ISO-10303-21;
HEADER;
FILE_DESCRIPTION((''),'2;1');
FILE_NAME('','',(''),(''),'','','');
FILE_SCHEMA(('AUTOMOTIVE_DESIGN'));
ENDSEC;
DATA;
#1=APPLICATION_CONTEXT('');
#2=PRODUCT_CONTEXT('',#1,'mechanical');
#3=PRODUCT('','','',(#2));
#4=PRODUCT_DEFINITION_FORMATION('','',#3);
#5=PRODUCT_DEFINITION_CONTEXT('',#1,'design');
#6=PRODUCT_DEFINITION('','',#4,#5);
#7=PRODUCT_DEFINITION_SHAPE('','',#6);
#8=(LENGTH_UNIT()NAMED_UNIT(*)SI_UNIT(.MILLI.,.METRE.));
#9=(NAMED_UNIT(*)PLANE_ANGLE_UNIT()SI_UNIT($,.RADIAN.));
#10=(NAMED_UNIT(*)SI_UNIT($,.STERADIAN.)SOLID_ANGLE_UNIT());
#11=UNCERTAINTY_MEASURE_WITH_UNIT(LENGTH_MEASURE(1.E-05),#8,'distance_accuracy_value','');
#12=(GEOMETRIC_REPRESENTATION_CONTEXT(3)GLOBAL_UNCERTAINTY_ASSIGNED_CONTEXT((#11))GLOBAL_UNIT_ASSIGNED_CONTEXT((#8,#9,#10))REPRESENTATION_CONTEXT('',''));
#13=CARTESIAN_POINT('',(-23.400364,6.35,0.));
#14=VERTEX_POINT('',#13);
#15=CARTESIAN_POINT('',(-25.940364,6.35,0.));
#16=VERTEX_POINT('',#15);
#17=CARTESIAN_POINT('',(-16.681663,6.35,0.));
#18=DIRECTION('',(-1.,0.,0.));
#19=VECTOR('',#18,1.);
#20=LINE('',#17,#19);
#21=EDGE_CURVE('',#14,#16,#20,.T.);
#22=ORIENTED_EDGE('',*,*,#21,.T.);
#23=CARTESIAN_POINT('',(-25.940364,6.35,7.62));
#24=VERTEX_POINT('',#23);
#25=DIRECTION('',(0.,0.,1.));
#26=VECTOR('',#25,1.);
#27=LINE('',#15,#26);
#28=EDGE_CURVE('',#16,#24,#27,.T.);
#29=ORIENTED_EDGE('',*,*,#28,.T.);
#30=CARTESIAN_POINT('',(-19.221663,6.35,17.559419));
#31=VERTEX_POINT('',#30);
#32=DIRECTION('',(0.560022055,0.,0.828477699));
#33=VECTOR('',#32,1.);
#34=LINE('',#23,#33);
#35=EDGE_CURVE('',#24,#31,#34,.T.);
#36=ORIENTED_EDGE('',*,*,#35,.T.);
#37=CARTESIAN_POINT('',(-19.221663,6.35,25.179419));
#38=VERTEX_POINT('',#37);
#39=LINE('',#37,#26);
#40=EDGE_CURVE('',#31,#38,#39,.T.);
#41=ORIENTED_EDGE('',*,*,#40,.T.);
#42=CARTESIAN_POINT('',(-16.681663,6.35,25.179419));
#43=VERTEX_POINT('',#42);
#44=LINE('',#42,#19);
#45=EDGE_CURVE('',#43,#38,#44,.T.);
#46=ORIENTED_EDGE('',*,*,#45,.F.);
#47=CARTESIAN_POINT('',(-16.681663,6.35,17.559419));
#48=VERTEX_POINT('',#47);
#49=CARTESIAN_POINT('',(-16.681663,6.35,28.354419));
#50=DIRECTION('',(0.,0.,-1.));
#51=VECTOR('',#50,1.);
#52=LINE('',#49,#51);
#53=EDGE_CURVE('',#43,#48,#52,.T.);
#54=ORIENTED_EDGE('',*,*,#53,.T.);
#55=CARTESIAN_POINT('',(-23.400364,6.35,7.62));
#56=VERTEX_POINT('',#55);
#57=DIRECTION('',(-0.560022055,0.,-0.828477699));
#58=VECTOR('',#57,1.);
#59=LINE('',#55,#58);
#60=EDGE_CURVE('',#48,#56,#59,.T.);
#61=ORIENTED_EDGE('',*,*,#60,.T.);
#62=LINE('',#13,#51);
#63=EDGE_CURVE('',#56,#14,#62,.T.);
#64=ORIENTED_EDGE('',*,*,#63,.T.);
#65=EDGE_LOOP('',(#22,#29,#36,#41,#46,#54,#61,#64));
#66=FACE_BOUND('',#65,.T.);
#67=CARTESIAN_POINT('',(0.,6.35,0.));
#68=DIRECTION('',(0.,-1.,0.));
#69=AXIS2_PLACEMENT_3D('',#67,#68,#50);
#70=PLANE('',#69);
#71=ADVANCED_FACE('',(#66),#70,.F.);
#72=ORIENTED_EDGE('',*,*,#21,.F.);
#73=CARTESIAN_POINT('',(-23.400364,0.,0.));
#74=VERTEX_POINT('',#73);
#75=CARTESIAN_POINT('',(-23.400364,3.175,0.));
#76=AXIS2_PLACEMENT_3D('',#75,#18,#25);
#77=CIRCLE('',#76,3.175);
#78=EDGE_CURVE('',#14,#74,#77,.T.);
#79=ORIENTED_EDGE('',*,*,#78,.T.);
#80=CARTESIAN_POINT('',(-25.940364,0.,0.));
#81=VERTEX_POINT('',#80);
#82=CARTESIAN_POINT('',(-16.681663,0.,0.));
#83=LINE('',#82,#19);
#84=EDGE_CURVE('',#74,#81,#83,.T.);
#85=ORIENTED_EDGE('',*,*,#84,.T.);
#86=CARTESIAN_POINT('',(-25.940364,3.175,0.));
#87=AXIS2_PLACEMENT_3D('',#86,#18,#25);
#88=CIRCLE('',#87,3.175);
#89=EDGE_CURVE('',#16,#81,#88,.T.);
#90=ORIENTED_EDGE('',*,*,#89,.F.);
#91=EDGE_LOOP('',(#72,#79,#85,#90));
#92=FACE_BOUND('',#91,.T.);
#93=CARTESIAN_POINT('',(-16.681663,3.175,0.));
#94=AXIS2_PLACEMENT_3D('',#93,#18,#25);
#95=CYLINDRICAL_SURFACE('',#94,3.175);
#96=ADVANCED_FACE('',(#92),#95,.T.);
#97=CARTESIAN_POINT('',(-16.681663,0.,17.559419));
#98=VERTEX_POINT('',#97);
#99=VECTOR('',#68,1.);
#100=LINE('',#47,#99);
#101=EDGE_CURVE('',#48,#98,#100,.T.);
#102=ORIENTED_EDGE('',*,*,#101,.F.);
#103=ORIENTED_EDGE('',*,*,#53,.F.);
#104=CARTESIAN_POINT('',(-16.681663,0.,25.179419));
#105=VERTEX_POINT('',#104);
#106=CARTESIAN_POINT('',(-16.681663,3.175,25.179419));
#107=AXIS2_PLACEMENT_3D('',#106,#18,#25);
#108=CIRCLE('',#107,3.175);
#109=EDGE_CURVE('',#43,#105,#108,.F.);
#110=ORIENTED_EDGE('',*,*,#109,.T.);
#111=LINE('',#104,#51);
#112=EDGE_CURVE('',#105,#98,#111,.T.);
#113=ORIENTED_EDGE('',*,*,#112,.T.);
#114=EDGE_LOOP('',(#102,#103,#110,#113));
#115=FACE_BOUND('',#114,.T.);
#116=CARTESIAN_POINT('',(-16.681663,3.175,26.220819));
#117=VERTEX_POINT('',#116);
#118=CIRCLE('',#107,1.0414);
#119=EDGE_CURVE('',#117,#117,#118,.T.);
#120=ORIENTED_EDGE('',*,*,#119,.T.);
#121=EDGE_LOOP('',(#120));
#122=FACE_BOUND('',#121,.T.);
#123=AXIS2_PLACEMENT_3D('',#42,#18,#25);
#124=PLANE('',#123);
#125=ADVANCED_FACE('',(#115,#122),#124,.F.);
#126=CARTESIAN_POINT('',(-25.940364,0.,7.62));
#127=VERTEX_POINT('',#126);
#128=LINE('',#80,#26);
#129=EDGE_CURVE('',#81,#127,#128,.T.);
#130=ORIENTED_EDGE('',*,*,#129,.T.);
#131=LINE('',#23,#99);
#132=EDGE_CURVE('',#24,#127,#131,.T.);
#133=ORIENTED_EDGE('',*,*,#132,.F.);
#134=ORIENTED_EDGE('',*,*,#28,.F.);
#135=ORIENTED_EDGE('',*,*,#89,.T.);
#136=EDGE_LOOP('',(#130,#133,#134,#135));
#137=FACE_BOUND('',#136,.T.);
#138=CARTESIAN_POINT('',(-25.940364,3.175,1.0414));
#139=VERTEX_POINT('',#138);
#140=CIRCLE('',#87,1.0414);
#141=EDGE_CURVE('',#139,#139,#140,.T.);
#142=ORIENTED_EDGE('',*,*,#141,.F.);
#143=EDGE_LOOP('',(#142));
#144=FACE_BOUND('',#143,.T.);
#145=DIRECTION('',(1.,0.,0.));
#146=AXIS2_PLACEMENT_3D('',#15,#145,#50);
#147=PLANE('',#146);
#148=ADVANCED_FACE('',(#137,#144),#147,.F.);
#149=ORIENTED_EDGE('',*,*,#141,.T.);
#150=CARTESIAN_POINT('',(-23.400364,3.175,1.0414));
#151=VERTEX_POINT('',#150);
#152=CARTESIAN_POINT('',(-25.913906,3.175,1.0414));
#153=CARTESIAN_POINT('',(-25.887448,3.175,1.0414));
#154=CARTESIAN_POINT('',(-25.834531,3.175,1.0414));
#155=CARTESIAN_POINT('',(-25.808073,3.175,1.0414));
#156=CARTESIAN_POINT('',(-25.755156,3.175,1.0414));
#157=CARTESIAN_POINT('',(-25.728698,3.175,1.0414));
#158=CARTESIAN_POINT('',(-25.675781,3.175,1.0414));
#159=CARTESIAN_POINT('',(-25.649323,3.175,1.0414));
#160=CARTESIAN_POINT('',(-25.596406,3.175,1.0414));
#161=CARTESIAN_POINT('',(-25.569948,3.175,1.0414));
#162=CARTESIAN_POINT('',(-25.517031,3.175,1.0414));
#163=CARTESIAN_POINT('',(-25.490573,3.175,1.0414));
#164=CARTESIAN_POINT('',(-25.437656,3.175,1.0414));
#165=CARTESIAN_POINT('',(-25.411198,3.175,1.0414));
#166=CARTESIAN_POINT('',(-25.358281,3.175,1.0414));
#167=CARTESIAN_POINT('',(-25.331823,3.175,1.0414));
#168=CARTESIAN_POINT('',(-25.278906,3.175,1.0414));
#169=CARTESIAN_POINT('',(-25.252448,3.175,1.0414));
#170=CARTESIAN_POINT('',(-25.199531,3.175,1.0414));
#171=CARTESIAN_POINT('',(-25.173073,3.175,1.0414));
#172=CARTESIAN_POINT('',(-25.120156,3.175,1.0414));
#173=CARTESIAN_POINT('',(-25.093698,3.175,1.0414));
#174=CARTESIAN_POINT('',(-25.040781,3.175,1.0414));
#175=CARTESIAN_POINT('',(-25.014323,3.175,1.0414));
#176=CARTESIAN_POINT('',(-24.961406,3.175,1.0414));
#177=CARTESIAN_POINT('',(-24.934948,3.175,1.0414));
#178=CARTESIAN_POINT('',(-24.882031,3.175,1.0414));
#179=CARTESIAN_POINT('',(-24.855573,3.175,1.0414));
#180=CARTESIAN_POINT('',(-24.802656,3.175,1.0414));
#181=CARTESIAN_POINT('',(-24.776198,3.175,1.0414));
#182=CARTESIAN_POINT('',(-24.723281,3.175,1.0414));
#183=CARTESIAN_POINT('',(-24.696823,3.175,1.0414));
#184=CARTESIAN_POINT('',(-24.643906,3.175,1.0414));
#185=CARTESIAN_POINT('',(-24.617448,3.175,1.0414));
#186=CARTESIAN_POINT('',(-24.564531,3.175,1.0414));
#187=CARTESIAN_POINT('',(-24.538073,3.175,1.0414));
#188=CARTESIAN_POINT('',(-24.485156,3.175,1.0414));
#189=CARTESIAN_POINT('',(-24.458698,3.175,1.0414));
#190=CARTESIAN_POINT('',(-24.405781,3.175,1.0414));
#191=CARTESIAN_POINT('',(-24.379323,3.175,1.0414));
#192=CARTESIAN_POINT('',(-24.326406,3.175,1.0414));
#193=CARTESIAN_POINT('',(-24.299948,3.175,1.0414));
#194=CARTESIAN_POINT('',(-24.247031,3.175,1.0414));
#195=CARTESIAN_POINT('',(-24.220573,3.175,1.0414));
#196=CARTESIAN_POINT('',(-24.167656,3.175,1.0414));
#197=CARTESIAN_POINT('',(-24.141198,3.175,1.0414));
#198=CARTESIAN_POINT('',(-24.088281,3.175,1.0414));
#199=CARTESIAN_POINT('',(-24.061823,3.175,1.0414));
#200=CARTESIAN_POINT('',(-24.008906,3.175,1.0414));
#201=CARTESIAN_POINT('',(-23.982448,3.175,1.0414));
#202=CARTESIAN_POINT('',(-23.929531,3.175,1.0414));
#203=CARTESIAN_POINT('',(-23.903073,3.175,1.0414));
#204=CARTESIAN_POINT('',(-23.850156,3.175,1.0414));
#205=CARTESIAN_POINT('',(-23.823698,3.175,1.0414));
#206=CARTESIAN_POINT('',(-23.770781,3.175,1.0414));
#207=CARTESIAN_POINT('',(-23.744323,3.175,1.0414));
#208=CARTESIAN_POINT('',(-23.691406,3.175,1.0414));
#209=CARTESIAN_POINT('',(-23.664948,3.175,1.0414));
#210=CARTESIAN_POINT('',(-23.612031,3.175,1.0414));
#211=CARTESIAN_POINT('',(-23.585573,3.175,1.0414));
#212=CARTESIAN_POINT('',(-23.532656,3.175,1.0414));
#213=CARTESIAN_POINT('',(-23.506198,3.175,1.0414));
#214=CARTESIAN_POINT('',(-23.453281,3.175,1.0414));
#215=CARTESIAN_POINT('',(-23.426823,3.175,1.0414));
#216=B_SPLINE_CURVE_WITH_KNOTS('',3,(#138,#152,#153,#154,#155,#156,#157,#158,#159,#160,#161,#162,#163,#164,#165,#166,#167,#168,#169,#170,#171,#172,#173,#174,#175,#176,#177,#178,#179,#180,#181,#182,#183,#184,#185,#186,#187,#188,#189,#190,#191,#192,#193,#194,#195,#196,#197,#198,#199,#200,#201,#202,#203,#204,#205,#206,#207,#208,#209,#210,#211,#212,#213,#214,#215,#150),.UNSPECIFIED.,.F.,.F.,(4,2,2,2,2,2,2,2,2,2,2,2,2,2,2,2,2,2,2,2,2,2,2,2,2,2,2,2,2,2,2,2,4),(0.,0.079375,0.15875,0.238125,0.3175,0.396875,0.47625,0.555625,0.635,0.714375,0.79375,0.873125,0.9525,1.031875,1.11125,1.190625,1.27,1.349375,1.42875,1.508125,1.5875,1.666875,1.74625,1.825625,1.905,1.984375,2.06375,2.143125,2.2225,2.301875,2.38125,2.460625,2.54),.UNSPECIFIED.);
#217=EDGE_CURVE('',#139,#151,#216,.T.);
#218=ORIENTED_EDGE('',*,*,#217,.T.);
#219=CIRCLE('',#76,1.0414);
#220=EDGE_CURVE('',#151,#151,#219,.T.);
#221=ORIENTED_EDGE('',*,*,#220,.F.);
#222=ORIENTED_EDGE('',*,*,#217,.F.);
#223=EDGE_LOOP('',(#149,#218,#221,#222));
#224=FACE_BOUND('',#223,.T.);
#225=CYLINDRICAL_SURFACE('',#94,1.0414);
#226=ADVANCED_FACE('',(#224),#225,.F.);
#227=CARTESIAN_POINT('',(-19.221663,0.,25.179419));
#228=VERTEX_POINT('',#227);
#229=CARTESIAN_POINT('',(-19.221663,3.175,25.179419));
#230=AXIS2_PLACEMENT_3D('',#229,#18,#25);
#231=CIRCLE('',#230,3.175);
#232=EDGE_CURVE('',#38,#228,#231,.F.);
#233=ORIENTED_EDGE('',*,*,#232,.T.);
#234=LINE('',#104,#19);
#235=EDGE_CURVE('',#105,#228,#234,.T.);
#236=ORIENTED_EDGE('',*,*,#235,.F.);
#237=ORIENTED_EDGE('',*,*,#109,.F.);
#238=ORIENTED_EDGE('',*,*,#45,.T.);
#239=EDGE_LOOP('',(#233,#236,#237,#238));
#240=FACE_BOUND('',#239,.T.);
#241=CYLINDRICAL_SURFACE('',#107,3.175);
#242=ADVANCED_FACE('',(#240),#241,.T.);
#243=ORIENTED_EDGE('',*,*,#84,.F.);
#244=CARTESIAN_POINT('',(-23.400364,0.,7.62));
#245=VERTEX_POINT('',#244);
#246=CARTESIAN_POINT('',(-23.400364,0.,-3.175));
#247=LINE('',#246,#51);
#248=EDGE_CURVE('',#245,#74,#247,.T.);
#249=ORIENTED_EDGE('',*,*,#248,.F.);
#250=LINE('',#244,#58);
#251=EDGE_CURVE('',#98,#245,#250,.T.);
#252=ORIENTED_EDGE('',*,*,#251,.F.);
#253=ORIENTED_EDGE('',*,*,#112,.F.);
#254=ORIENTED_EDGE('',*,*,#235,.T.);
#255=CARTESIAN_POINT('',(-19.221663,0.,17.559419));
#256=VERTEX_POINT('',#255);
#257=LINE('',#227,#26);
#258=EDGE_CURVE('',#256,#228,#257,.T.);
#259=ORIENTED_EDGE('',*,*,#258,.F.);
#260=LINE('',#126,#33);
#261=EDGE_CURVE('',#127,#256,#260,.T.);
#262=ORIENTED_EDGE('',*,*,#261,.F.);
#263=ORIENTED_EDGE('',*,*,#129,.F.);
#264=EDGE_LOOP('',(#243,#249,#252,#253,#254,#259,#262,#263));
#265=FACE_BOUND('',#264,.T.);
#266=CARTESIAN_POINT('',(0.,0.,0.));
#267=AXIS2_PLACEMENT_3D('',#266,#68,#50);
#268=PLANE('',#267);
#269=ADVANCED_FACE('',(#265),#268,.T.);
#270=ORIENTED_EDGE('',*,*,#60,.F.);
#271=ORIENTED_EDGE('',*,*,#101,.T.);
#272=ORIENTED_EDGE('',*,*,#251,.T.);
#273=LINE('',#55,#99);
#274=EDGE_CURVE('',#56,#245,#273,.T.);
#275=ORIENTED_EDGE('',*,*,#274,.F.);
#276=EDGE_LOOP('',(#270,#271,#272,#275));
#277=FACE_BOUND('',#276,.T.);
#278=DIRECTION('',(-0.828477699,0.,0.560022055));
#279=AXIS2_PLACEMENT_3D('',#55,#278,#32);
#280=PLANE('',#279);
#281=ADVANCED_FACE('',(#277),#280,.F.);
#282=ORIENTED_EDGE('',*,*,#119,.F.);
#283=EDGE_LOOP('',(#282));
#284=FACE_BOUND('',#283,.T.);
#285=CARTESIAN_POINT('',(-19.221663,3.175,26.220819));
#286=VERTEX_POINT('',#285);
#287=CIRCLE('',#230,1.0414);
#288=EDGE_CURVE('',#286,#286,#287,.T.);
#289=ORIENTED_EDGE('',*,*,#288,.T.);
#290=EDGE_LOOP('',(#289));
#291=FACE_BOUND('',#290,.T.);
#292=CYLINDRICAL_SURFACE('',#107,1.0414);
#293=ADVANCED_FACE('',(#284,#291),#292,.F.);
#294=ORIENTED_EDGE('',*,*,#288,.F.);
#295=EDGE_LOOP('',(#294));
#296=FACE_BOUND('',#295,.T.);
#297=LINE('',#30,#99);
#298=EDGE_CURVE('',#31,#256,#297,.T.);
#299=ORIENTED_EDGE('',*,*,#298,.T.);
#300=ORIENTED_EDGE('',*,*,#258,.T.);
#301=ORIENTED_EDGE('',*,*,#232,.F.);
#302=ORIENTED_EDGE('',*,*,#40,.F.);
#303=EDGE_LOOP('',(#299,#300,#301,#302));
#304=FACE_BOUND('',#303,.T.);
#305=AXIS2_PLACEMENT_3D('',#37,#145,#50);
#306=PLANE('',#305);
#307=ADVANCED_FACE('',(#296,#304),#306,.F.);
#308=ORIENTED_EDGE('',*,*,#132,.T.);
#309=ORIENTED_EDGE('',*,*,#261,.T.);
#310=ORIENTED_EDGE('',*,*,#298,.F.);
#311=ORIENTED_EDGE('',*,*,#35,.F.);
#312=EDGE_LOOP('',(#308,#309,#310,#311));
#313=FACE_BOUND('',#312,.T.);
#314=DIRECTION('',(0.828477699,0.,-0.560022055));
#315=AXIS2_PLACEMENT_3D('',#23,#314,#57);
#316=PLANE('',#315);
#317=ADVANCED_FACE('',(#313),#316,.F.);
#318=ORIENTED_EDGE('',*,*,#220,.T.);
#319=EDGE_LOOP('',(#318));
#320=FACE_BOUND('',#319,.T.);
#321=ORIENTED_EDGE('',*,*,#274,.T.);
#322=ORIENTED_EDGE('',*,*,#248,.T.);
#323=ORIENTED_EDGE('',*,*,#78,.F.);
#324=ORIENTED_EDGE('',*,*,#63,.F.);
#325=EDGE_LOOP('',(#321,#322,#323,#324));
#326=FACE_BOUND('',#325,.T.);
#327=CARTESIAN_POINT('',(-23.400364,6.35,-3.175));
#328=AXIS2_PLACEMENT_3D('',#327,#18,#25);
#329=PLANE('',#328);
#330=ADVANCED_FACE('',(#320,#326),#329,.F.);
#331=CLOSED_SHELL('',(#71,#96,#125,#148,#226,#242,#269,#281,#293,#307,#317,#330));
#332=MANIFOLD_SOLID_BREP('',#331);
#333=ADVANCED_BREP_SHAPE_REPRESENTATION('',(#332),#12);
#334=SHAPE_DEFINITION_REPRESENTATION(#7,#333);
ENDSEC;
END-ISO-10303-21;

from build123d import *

# Parameters (mm, degrees)
BOSS_EXTRUDE1_DEPTH = 6.35
SKETCH2_R           = 1.0414
CUT_EXTRUDE1_DEPTH  = 31.496215156
SKETCH3_R           = 1.0414
CUT_EXTRUDE2_DEPTH  = 30.82342263


with BuildPart() as part:
    # Sketch1 → Boss-Extrude1 (new body)
    with BuildSketch(Plane(origin=(0, 0, 0), x_dir=(1, 0, 0), z_dir=(0, 1, 0))):
        Polygon((-16.681663134, -25.179419289), (-16.681663134, -17.559419289), (-23.400364211, -7.62), (-23.400364211, 0), (-23.400364211, 3.175), (-25.940364211, 3.175), (-25.940364211, 0), (-25.940364211, -7.62), (-19.221663134, -17.559419289), (-19.221663134, -25.179419289), (-19.221663134, -28.354419289), (-16.681663134, -28.354419289), align=None)
    extrude(amount=BOSS_EXTRUDE1_DEPTH)

    # Sketch2 → Cut-Extrude1 (cut, through all)
    with BuildSketch(Plane.ZY.offset(25.940364211)):
        with BuildLine():
            ThreePointArc((-3.175, 3.175), (-2.24506403, 5.42006403), (0, 6.35))
            Line((0, 6.35), (-3.175, 6.35))
            Line((-3.175, 6.35), (-3.175, 3.175))
        make_face()
        with BuildLine():
            ThreePointArc((0, 0), (-2.24506403, 0.92993597), (-3.175, 3.175))
            Line((-3.175, 3.175), (-3.175, 0))
            Line((-3.175, 0), (0, 0))
        make_face()
        with Locations((0, 3.175)):
            Circle(SKETCH2_R)
    extrude(amount=-CUT_EXTRUDE1_DEPTH, mode=Mode.SUBTRACT)

    # Sketch3 → Cut-Extrude2 (cut, through all)
    with BuildSketch(Plane.ZY.offset(19.221663134)):
        with BuildLine():
            Line((28.354419289, 6.35), (25.179419289, 6.35))
            ThreePointArc((25.179419289, 6.35), (27.424483319, 5.42006403), (28.354419289, 3.175))
            Line((28.354419289, 3.175), (28.354419289, 6.35))
        make_face()
        with BuildLine():
            Line((28.354419289, 0), (28.354419289, 3.175))
            ThreePointArc((28.354419289, 3.175), (27.424483319, 0.92993597), (25.179419289, 0))
            Line((25.179419289, 0), (28.354419289, 0))
        make_face()
        with Locations((25.179419289, 3.175)):
            Circle(SKETCH3_R)
    extrude(amount=-CUT_EXTRUDE2_DEPTH, mode=Mode.SUBTRACT)


solid = part.part
